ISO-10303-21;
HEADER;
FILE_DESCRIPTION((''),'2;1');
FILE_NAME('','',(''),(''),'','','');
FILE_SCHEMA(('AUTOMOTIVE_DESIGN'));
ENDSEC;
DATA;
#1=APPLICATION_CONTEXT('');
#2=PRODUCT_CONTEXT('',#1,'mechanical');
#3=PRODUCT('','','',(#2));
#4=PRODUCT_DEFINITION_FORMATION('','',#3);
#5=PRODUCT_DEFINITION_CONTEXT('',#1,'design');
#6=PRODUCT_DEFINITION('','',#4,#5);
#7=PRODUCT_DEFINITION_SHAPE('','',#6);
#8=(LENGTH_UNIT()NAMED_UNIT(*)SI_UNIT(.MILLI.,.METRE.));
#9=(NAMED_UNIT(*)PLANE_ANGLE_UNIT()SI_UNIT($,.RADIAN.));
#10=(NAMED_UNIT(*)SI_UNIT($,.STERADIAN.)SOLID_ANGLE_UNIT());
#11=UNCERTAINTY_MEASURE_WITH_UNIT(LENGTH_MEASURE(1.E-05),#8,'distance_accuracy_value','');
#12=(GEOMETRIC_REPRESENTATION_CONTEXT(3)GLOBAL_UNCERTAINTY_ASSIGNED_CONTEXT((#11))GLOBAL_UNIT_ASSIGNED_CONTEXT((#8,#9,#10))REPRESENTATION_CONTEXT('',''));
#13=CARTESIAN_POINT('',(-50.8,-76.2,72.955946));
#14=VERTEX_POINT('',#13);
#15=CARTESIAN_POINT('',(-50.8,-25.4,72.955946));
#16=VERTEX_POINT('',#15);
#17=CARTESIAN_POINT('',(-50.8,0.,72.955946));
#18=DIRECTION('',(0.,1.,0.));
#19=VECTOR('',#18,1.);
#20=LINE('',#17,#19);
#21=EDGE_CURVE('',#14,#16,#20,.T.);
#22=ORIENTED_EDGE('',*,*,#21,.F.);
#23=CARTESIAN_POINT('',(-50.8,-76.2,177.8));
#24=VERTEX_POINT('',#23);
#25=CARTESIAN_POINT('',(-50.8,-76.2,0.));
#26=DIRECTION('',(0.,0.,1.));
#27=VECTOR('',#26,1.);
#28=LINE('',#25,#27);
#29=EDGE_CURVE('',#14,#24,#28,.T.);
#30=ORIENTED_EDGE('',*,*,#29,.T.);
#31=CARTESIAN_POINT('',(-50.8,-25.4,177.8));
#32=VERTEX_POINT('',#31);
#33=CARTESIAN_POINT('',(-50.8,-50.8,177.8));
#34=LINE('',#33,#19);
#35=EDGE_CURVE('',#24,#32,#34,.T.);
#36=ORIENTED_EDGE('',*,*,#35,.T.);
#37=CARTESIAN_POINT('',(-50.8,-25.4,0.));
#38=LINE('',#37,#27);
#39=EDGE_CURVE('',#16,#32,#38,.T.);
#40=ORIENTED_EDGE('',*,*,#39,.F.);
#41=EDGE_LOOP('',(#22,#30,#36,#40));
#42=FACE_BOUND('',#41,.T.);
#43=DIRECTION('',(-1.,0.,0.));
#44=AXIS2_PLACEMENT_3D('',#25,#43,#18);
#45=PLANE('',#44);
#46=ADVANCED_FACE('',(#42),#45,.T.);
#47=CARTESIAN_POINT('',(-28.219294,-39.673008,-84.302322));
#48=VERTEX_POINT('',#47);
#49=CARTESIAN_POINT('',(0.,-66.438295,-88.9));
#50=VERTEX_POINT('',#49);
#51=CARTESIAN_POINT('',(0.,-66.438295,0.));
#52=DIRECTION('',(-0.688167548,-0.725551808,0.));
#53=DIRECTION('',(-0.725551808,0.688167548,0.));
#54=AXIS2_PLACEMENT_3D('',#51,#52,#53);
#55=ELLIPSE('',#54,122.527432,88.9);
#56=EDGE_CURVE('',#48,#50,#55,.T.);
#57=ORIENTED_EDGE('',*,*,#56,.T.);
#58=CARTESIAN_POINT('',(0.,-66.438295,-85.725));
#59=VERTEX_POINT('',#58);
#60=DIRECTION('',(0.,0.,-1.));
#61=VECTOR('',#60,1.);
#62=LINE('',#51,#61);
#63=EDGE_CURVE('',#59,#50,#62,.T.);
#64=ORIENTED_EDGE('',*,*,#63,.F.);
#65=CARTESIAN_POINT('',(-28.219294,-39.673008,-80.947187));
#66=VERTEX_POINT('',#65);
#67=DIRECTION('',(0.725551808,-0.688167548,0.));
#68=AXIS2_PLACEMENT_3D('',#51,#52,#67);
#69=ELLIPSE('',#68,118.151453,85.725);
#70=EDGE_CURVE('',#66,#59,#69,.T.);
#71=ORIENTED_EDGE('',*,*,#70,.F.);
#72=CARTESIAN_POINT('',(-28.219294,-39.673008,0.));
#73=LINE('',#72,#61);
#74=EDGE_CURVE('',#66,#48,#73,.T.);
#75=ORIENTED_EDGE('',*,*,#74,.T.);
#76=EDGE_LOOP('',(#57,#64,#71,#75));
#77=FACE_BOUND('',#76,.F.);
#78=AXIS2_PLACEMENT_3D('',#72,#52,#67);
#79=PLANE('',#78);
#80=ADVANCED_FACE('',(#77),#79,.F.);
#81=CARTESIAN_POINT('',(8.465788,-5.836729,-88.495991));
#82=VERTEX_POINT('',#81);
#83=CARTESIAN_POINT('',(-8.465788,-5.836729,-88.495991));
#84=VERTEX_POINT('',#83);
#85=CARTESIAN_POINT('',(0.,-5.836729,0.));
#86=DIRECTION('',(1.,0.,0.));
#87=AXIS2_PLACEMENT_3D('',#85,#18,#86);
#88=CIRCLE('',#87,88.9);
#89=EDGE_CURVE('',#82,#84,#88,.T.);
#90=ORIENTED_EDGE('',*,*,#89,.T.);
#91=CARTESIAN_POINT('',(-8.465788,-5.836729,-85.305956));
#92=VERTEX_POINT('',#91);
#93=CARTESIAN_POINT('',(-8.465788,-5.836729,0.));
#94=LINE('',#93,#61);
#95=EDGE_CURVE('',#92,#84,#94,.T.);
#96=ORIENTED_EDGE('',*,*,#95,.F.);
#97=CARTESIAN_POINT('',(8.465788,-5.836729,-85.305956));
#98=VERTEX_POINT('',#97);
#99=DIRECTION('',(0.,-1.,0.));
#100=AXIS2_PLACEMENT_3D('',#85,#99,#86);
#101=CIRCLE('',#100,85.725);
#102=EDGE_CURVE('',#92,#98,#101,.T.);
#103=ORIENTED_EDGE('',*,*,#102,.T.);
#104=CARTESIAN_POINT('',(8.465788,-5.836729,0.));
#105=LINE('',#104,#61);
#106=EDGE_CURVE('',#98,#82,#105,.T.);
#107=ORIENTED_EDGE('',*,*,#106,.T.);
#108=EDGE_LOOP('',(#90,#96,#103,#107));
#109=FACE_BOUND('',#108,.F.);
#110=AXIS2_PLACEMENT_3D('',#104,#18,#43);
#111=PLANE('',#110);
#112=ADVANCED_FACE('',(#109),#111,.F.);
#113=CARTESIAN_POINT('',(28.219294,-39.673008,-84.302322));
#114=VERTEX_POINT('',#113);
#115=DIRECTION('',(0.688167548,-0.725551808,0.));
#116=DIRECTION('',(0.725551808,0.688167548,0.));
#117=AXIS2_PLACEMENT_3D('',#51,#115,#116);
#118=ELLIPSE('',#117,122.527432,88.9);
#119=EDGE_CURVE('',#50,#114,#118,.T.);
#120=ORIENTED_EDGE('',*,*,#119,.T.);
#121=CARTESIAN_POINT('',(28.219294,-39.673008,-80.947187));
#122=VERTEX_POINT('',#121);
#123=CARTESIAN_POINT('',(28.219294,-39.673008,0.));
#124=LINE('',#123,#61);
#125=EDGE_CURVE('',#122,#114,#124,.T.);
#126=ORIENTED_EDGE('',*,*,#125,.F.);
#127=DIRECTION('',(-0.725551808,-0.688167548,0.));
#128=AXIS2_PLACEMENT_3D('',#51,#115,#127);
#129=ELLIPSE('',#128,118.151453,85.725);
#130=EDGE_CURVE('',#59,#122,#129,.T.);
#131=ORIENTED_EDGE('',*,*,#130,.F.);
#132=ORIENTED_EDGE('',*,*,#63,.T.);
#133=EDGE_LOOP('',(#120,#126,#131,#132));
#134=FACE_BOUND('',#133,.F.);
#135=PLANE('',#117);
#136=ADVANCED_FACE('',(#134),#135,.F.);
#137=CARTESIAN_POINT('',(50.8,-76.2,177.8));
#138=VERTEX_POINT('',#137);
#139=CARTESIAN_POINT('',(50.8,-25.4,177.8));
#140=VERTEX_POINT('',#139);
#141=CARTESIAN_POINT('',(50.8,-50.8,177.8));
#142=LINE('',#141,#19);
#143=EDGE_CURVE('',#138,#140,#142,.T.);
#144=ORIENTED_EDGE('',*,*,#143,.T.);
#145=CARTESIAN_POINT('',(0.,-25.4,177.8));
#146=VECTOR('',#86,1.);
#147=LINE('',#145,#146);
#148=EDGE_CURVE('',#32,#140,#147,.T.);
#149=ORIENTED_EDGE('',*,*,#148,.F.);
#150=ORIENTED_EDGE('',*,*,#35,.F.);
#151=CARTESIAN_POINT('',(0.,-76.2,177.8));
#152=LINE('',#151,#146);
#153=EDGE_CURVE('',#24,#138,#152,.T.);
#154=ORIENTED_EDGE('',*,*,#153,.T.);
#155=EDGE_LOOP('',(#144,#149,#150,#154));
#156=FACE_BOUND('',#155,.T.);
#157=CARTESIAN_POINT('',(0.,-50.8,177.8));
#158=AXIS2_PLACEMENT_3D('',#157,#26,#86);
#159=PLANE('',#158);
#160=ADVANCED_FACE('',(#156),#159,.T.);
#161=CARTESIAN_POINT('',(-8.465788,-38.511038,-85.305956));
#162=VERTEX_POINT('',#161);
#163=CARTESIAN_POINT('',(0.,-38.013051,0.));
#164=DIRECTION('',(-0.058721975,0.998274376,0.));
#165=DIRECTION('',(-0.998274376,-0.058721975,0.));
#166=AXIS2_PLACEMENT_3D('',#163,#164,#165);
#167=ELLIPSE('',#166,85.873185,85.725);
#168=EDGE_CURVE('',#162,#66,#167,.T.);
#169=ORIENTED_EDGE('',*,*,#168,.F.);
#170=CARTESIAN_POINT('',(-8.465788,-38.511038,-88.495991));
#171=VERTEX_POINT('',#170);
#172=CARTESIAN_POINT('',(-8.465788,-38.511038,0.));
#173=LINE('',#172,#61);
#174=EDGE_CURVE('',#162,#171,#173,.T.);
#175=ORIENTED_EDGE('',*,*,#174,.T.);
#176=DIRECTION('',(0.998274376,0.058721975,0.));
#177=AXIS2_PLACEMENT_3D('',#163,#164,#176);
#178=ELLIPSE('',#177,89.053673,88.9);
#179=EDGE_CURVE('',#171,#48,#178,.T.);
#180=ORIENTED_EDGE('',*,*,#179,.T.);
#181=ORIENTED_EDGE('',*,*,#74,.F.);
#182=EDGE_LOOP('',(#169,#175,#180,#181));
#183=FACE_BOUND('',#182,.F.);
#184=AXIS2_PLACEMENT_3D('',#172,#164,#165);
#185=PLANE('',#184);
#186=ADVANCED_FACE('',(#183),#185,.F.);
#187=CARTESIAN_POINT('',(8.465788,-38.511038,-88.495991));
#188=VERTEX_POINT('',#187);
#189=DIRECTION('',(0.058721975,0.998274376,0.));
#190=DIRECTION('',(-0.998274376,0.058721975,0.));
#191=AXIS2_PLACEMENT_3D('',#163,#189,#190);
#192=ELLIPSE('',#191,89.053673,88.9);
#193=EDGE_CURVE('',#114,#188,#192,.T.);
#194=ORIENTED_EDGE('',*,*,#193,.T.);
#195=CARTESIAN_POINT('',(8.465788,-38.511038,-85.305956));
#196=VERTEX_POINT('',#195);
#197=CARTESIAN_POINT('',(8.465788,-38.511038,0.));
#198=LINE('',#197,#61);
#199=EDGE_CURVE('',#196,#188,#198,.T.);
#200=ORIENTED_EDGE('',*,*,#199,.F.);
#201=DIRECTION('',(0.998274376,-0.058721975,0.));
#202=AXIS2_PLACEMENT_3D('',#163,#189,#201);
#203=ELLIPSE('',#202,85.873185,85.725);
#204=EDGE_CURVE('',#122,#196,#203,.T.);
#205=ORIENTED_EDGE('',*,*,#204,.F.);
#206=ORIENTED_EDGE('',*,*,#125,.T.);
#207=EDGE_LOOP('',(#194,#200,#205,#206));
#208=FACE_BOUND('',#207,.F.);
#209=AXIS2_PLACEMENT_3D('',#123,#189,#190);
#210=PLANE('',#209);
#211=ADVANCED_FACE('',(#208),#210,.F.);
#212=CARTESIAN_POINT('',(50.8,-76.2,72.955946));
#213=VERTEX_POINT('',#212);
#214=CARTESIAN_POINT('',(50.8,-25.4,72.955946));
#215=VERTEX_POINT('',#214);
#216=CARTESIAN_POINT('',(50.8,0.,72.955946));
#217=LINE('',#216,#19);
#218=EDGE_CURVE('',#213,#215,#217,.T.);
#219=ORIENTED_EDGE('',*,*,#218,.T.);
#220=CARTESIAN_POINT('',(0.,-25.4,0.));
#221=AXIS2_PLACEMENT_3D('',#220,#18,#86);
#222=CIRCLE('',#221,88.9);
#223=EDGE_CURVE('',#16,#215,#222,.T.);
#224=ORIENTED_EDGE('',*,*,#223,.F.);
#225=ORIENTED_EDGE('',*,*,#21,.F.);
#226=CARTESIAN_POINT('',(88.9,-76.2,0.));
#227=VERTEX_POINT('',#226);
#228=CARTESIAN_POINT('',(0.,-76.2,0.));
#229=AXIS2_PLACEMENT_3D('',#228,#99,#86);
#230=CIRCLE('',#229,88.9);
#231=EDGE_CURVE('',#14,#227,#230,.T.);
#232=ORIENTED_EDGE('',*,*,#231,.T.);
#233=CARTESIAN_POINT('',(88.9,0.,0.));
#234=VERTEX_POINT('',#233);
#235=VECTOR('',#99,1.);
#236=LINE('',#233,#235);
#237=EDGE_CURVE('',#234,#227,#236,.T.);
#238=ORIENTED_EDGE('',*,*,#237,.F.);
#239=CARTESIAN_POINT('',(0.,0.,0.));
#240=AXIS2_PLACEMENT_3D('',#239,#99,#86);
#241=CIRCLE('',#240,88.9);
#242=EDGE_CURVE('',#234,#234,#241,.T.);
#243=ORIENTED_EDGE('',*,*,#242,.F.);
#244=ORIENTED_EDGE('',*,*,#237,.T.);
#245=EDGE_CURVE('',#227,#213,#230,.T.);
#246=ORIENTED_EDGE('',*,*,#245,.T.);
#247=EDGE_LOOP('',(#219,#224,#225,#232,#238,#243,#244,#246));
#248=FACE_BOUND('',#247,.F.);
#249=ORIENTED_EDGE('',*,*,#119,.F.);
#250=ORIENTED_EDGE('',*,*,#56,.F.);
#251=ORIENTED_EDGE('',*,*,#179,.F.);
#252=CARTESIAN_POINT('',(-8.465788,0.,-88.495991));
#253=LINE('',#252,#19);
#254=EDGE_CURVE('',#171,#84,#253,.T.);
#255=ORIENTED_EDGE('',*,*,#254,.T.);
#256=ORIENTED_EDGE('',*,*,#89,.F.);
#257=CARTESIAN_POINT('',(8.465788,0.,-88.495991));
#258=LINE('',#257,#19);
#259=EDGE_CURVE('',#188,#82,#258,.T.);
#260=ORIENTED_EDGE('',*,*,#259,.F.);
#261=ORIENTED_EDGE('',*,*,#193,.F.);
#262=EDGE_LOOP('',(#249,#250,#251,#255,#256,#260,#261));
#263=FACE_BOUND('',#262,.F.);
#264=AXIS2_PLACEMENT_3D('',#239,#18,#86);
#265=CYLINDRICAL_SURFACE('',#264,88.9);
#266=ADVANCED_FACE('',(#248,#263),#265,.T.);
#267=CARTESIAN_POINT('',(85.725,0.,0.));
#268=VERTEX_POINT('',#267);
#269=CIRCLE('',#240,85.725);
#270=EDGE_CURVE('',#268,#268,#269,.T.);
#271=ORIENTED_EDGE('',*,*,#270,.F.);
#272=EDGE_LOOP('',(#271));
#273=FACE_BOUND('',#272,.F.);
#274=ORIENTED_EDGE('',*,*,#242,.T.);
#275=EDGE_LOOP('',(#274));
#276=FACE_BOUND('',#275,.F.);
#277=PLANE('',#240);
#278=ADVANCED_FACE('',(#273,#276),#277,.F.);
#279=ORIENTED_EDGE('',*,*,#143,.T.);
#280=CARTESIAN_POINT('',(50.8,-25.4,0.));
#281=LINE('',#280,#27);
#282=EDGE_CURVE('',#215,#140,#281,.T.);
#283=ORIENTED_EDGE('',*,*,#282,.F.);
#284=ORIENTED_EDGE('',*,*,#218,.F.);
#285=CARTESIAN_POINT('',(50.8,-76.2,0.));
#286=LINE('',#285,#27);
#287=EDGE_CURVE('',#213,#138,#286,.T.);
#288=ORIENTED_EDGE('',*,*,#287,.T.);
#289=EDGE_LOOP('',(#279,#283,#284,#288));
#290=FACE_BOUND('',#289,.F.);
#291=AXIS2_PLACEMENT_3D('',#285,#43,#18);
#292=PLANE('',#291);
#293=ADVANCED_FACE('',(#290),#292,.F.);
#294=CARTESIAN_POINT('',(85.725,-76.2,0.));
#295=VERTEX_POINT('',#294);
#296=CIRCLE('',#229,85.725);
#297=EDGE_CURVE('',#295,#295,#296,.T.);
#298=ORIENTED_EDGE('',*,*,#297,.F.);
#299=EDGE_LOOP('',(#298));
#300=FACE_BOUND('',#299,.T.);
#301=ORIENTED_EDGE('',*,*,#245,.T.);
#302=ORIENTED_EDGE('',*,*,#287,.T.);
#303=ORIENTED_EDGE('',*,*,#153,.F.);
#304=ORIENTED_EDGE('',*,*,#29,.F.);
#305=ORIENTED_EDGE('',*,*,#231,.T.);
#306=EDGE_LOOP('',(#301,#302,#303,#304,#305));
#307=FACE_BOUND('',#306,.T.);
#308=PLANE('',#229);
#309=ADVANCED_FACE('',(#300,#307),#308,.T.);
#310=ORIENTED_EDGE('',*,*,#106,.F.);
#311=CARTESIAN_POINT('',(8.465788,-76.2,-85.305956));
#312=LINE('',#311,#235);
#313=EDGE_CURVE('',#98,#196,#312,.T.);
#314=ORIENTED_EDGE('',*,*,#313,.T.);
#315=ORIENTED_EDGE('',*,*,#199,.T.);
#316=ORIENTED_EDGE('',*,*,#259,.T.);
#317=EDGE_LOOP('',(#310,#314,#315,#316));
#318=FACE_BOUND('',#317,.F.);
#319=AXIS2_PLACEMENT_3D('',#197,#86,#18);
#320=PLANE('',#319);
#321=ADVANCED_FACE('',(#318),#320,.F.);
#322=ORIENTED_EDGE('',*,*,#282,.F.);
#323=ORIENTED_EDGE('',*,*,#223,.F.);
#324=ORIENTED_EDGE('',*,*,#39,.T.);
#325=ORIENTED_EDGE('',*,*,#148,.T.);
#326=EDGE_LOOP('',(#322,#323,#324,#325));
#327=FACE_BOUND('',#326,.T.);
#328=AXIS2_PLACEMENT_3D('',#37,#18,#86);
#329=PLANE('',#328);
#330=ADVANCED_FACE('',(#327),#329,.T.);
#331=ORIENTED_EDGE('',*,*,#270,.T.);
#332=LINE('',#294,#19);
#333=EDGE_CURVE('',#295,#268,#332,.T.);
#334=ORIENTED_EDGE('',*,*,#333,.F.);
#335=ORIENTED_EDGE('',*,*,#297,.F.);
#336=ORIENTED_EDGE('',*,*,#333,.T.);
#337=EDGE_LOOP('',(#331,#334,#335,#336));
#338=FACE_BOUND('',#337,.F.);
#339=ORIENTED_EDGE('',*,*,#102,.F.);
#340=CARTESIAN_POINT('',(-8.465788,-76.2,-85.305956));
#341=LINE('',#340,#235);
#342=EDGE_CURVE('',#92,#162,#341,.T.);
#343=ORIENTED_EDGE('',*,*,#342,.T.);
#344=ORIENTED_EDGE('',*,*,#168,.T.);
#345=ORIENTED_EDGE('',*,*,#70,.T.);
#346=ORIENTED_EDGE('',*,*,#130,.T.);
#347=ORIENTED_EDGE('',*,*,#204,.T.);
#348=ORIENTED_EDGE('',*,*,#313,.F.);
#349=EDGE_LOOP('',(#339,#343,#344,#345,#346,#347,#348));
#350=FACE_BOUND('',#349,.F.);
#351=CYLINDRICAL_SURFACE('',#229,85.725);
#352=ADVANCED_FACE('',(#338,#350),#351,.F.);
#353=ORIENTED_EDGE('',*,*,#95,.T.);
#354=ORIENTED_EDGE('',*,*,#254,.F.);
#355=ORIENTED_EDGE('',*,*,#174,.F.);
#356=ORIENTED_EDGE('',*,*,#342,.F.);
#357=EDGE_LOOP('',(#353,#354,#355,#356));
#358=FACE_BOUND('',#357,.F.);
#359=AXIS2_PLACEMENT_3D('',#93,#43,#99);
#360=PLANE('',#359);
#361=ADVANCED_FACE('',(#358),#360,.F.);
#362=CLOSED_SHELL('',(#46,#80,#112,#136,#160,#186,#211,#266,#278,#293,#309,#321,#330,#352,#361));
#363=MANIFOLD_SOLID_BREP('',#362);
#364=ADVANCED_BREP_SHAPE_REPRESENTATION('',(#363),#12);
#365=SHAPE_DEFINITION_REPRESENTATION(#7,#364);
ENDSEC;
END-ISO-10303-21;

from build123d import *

# Parameters (mm, degrees)
F0_R     = 88.9
F1_DEPTH = 76.2
F2_W     = 101.6
F2_H     = 50.8
F3_DEPTH = 177.8
F5_DEPTH = 304.8
F6_R     = 85.725
F7_DEPTH = 76.201


with BuildPart() as f1:
    # F0 (on Front) → F1 (new body)
    with BuildSketch(Plane.XZ):
        Circle(F0_R)
    extrude(amount=F1_DEPTH)

    # F2 (on Top) → F3 (join)
    with BuildSketch(Plane.XY):
        with Locations((0, -50.8)):
            Rectangle(F2_W, F2_H)
    extrude(amount=F3_DEPTH)

    # F4 (on Top) → F5 (cut)
    with BuildSketch(Plane.XY):
        Polygon((8.465788, -5.836729), (0, -5.836729), (-8.465788, -5.836729), (-8.465788, -38.511038), (-28.219294, -39.673008), (0, -66.438295), (28.219294, -39.673008), (8.465788, -38.511038), align=None)
    extrude(amount=-F5_DEPTH, mode=Mode.SUBTRACT)

    # F6 (on face) → F7 (cut, through all)
    with BuildSketch(Plane.XZ.offset(76.2)):
        Circle(F6_R)
    extrude(amount=-F7_DEPTH, mode=Mode.SUBTRACT)


solid = f1.part
